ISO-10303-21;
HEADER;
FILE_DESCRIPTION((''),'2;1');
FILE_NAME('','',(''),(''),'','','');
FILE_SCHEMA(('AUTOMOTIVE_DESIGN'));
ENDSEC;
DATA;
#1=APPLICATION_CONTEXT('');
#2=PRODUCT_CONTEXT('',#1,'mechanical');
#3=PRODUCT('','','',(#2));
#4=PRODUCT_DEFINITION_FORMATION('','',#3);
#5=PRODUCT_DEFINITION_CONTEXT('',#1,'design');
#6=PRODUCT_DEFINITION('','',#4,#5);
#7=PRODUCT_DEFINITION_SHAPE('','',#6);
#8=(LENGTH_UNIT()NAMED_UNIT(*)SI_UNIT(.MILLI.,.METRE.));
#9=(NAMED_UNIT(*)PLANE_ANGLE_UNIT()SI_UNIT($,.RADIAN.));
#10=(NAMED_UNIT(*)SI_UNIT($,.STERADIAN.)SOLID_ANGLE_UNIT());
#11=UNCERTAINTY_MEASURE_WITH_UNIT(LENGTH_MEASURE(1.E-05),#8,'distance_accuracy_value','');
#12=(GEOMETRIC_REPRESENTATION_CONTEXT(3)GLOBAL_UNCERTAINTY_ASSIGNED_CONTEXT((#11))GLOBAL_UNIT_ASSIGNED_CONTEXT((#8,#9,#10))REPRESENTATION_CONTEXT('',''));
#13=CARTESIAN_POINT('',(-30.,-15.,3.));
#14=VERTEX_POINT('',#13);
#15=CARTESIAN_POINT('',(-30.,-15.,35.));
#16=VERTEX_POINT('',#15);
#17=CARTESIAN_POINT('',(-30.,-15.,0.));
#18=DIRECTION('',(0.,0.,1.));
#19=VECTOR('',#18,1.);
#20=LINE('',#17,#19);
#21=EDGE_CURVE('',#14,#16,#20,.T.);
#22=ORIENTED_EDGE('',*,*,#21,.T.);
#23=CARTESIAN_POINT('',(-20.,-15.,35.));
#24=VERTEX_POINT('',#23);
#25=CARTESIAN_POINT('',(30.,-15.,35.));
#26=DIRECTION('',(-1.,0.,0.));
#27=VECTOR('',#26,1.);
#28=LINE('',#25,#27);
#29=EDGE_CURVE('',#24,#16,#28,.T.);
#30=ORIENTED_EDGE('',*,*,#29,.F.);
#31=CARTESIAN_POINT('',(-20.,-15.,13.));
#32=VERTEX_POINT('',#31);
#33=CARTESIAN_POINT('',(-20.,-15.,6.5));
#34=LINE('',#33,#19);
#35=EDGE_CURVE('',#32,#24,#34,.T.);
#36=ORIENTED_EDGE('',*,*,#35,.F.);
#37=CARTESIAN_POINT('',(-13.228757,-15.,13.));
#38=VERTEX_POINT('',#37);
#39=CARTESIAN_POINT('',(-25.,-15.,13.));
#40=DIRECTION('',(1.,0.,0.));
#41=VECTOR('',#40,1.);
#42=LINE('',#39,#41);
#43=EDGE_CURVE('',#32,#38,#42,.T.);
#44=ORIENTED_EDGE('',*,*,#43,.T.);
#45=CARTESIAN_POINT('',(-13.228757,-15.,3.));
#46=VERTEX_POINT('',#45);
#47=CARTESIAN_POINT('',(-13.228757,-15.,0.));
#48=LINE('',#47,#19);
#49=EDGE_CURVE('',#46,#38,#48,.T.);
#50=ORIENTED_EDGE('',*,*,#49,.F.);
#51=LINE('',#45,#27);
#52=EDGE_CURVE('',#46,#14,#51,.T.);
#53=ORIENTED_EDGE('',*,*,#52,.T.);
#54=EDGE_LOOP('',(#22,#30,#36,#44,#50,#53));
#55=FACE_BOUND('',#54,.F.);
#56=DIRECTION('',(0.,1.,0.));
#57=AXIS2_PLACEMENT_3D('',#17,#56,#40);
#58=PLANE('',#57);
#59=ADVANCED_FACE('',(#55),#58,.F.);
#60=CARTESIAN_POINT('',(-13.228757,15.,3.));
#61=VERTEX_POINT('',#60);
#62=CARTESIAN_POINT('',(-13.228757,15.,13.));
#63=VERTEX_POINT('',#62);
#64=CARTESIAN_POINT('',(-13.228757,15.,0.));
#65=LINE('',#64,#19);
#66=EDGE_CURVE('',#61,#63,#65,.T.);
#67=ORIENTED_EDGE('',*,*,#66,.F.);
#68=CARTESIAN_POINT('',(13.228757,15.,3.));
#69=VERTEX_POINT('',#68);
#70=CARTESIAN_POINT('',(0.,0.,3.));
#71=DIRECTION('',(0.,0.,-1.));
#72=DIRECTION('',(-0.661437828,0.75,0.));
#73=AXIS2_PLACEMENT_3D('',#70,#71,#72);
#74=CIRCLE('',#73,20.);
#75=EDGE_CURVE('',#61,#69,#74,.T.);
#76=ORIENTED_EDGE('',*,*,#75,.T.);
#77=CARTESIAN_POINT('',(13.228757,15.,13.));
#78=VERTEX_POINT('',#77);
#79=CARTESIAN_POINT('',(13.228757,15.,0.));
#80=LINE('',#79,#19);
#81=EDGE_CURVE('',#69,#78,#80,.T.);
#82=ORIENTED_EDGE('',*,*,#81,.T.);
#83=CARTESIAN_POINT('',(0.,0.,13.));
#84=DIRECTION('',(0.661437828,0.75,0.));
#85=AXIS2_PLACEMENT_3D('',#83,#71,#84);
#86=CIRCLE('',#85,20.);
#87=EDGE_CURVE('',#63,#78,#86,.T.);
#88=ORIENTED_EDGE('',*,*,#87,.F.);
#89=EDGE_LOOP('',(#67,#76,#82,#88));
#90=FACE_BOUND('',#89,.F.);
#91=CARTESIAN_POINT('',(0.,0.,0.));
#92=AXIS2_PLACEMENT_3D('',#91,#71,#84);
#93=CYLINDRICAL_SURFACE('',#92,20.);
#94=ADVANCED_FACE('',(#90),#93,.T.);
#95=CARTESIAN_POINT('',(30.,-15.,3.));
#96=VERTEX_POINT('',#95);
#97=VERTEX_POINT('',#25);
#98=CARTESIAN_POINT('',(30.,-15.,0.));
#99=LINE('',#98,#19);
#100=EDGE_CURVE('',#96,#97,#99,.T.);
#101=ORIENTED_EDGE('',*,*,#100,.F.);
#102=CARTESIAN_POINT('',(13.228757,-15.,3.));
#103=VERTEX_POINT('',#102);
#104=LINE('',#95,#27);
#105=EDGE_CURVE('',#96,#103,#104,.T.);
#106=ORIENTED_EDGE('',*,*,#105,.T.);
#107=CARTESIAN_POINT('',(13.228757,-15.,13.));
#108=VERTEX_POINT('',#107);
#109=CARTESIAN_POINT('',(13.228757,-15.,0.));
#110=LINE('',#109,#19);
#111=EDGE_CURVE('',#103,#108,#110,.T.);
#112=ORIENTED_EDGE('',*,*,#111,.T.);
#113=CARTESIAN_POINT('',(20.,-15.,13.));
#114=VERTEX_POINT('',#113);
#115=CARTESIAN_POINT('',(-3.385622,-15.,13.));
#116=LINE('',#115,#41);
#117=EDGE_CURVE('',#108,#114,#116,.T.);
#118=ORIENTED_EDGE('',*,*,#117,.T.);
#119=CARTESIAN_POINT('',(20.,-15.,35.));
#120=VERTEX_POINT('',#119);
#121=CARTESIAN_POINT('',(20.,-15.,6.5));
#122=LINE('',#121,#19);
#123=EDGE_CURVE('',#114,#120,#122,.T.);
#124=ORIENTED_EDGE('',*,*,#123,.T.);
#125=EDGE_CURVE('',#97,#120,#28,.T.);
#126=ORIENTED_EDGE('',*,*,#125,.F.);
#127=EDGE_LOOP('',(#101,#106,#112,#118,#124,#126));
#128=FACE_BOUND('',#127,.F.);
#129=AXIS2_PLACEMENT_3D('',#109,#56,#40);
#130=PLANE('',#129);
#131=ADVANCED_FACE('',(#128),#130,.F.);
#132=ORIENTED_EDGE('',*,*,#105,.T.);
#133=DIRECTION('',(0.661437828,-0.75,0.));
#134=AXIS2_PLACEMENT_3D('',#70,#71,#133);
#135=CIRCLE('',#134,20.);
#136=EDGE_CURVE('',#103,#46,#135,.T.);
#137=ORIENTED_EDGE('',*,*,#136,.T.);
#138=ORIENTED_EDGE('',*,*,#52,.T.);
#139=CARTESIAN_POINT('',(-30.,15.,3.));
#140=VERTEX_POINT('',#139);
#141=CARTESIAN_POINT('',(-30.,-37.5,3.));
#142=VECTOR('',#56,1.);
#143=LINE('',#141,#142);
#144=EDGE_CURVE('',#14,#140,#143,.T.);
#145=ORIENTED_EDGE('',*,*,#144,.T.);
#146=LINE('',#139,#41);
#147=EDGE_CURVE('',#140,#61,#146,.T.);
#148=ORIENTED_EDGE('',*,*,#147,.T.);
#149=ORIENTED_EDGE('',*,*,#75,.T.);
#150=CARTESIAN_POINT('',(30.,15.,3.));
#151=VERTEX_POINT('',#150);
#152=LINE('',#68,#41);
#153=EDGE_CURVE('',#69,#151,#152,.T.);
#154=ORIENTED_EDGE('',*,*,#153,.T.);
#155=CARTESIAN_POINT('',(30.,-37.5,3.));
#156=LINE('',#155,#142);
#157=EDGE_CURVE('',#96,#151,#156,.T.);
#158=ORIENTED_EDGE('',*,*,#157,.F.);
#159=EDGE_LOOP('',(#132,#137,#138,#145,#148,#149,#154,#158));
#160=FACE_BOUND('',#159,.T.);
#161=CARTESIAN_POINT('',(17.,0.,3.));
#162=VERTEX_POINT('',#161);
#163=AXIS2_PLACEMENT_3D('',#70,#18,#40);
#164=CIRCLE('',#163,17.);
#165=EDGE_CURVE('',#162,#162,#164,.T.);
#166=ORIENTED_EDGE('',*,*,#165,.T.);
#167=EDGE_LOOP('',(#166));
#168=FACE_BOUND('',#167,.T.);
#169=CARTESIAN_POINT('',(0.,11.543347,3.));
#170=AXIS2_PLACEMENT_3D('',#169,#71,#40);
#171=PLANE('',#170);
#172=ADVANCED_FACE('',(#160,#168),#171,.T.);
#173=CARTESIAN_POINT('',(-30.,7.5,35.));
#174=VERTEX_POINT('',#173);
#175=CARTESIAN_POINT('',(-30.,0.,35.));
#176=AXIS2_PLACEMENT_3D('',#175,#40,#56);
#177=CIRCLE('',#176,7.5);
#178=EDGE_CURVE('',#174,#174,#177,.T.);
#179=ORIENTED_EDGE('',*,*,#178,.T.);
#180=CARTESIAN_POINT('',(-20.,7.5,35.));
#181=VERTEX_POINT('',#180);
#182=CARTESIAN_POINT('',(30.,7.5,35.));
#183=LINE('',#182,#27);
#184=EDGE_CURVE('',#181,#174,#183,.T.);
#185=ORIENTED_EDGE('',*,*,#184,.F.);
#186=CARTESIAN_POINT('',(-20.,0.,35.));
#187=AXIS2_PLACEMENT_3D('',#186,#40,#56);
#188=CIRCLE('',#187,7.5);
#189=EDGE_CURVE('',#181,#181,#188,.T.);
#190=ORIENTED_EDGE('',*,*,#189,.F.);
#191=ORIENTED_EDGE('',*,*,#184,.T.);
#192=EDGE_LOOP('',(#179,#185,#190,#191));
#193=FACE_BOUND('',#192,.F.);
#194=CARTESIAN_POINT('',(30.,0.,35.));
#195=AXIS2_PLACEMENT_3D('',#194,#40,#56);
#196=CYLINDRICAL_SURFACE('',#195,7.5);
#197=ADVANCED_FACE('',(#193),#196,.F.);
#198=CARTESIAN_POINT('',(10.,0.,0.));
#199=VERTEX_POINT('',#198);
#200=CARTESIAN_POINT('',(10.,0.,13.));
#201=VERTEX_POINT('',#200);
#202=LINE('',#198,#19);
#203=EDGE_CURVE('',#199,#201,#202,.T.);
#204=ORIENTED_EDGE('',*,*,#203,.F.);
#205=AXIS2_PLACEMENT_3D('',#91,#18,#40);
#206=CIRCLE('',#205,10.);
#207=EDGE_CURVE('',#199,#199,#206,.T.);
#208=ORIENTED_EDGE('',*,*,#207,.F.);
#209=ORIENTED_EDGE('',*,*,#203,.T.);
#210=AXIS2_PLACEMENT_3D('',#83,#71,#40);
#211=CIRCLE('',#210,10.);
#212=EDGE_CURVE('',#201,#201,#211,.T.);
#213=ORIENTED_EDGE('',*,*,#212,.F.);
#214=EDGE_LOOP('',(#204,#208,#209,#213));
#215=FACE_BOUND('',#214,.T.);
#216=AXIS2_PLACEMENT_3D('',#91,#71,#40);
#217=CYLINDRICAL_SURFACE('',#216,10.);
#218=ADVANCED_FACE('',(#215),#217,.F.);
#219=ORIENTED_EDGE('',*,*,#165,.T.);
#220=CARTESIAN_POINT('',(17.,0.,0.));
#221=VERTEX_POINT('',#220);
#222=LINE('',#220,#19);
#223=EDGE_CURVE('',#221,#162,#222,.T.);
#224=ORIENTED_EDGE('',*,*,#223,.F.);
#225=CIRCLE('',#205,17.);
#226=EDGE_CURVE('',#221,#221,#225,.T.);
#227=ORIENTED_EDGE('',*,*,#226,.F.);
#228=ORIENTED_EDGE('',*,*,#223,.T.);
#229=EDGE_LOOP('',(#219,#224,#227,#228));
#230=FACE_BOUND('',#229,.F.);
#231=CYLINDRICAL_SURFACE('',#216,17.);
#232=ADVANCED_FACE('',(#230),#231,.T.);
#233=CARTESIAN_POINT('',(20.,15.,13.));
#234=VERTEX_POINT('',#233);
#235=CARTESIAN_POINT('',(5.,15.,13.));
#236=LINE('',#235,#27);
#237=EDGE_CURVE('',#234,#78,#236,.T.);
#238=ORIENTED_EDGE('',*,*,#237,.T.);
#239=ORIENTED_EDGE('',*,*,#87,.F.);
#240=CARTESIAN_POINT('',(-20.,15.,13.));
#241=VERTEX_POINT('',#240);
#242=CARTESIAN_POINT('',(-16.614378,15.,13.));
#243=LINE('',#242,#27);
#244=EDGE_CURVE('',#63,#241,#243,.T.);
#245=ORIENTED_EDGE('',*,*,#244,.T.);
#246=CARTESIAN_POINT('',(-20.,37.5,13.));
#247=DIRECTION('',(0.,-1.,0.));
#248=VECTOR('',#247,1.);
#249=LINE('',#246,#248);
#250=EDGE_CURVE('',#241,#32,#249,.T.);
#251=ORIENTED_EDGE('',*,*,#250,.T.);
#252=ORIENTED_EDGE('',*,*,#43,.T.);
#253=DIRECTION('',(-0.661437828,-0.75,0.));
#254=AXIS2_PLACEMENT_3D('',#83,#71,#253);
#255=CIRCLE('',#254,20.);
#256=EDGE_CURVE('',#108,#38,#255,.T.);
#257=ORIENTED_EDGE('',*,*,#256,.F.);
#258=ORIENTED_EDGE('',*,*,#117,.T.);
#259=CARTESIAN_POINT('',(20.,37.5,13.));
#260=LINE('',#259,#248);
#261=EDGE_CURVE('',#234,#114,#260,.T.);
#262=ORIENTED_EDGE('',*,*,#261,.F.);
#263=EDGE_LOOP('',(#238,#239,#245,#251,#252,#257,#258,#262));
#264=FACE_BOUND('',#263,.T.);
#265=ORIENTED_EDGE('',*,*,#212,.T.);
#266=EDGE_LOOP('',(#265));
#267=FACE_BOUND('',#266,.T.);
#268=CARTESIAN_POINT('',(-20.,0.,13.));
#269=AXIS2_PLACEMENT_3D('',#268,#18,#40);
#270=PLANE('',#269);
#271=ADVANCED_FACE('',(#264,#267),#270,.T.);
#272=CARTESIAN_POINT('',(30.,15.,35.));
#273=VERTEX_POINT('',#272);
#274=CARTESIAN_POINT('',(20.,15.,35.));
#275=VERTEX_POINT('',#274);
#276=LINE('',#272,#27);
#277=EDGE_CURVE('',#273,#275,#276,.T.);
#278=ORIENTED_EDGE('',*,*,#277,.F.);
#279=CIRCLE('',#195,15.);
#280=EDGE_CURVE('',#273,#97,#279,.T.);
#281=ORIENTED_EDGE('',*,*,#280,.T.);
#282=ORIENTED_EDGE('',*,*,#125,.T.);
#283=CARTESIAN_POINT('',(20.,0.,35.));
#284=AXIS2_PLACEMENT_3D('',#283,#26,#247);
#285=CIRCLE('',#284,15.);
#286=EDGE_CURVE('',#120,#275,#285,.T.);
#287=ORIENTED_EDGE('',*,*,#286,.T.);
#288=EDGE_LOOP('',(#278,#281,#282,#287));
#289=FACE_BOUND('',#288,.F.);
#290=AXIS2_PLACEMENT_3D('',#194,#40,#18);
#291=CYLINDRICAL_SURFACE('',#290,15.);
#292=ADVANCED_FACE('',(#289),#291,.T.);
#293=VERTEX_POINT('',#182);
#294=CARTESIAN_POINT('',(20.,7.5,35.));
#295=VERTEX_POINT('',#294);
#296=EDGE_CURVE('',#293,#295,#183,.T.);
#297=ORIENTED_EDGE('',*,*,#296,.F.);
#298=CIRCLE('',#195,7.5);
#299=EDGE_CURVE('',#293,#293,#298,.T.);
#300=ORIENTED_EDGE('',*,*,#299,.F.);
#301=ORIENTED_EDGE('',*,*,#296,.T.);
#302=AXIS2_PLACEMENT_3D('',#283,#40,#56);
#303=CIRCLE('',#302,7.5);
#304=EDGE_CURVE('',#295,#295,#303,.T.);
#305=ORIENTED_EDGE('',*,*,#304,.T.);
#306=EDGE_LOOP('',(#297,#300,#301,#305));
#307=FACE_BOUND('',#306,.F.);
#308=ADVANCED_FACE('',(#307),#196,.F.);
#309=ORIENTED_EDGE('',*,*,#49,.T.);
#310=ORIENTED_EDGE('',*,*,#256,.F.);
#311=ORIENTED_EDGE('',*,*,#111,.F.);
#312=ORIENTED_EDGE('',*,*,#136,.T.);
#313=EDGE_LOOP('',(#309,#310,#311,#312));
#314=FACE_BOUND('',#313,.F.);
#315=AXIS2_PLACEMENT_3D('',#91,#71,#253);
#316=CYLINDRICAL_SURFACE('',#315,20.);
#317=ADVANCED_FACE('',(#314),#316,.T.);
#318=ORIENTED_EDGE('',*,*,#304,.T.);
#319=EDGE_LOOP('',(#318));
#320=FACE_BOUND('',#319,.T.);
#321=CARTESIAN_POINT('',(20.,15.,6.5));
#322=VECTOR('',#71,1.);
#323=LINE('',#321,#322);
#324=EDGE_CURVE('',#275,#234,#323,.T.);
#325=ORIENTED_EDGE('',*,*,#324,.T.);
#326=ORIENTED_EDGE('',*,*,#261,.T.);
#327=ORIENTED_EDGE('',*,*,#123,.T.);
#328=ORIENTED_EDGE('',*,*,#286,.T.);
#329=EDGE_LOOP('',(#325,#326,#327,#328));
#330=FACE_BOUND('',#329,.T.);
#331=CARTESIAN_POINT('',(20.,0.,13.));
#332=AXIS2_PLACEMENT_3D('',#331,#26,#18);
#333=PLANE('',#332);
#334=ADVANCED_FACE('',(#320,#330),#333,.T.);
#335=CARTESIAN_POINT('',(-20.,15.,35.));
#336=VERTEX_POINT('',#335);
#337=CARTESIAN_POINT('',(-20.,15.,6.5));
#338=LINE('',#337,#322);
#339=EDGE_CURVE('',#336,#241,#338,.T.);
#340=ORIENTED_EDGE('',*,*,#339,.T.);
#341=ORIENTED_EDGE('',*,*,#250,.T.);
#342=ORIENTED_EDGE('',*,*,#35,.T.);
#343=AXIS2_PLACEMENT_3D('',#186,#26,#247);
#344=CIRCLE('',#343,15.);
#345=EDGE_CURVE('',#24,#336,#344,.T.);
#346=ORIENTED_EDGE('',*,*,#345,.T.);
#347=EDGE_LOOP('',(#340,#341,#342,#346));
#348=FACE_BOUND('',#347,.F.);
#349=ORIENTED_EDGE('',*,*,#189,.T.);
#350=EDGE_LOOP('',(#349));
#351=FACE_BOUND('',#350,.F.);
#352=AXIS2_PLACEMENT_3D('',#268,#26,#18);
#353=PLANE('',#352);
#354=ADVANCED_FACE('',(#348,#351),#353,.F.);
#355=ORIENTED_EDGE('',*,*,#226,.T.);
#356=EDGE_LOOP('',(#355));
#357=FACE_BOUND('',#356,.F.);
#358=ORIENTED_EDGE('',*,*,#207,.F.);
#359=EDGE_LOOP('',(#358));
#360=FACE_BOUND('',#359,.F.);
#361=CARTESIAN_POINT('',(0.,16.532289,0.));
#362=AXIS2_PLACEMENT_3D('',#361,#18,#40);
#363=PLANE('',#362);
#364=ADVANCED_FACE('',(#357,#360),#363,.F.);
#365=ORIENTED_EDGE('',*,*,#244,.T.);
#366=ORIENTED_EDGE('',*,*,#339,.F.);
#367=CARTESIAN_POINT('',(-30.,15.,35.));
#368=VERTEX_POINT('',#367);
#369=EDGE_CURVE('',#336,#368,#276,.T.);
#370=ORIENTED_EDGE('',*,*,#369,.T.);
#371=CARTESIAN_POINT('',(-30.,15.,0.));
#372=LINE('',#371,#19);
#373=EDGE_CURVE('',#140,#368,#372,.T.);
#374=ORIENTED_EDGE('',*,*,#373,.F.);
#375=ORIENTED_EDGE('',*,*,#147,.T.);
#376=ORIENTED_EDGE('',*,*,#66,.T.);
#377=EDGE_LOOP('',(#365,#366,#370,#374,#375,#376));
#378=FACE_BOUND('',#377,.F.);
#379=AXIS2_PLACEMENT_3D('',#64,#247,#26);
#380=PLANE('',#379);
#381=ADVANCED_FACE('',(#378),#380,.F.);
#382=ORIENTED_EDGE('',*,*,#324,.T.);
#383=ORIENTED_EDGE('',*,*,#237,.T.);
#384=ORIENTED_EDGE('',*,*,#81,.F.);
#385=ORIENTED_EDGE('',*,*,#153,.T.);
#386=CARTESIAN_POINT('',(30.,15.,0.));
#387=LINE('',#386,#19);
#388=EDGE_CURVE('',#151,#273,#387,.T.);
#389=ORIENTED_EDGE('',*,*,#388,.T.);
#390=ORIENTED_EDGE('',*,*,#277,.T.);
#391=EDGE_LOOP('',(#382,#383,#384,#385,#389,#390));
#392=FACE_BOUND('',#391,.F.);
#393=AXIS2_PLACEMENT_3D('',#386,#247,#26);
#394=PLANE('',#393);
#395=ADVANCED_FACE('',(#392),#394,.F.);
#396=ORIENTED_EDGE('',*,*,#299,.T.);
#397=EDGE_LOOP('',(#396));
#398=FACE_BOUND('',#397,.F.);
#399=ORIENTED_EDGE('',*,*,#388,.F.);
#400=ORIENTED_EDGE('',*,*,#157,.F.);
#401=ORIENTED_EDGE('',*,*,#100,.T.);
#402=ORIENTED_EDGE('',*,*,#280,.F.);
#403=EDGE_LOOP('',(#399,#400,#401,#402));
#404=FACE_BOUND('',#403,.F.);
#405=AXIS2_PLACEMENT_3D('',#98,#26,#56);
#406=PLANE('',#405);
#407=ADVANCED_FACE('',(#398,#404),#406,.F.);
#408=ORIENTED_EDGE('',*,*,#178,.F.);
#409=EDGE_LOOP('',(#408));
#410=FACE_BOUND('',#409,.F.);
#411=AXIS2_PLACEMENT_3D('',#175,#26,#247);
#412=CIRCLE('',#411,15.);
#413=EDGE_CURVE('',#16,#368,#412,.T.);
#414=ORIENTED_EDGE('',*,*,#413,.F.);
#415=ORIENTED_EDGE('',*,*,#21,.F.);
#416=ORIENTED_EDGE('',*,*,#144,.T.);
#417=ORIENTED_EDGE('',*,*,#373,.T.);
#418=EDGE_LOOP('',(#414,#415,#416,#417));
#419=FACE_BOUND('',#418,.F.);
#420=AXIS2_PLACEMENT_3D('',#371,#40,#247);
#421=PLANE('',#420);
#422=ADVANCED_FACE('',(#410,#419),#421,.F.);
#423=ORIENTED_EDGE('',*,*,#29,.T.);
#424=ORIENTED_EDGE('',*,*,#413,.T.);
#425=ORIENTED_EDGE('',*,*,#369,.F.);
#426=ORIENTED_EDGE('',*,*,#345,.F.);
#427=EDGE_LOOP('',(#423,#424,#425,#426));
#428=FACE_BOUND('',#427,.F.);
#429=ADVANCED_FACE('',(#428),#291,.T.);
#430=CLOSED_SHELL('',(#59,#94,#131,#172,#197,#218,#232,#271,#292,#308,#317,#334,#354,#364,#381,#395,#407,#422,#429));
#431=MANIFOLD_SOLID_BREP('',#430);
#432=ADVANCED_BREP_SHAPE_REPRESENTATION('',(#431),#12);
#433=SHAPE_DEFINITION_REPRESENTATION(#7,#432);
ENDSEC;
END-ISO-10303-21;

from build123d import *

# Parameters (mm, degrees)
F0_R     = 10
F1_DEPTH = 50
F2_W     = 13
F2_H     = 3
F2_W_2   = 40
F2_H_2   = 37
F3_DEPTH = 37.5
F5_DEPTH = 3
F6_R     = 7.5
F7_DEPTH = 60.001


with BuildPart() as f1:
    # F0 (on Top) → F1 (new body)
    with BuildSketch(Plane.XY):
        with BuildLine():
            ThreePointArc((13.2287565553, 15), (0, 20), (-13.2287565553, 15))
            Line((-13.2287565553, 15), (13.2287565553, 15))
        make_face()
        Polygon((-30, -15), (-13.2287565553, -15), (13.2287565553, -15), (30, -15), (30, 15), (13.2287565553, 15), (-13.2287565553, 15), (-30, 15), align=None)
        Circle(F0_R, mode=Mode.SUBTRACT)
        with BuildLine():
            Line((13.2287565553, -15), (-13.2287565553, -15))
            ThreePointArc((-13.2287565553, -15), (0, -20), (13.2287565553, -15))
        make_face()
    extrude(amount=F1_DEPTH)

    # F2 (on Front) → F3 (cut, symmetric)
    with BuildSketch(Plane.XZ):
        with Locations((23.5, 1.5)):
            Rectangle(F2_W, F2_H)
        with Locations((0, 31.5)):
            Rectangle(F2_W_2, F2_H_2)
        with Locations((-23.5, 1.5)):
            Rectangle(F2_W, F2_H)
    extrude(amount=F3_DEPTH, both=True, mode=Mode.SUBTRACT)

    # F4 (on face) → F5 (cut)
    with BuildSketch(Plane(origin=(0, 0, 0), x_dir=(1, 0, 0), z_dir=(0, 0, -1))):
        with BuildLine():
            ThreePointArc((-17, 0), (0, 17), (17, 0))
            Line((17, 0), (17, 15))
            Line((17, 15), (13.2287565553, 15))
            ThreePointArc((13.2287565553, 15), (0, 20), (-13.2287565553, 15))
            Line((-13.2287565553, 15), (-17, 15))
            Line((-17, 15), (-17, 0))
        make_face()
        with BuildLine():
            Line((17, -15), (17, 0))
            ThreePointArc((17, 0), (0, -17), (-17, 0))
            Line((-17, 0), (-17, -15))
            Line((-17, -15), (-13.2287565553, -15))
            ThreePointArc((-13.2287565553, -15), (0, -20), (13.2287565553, -15))
            Line((13.2287565553, -15), (17, -15))
        make_face()
    extrude(amount=-F5_DEPTH, mode=Mode.SUBTRACT)

    # F6 (on face) → F7 (cut, through all)
    with BuildSketch(Plane.YZ.offset(30)):
        with Locations((0, 35)):
            Circle(F6_R)
        with BuildLine():
            ThreePointArc((-15, 35), (-10.6066017178, 45.6066017178), (0, 50))
            Line((0, 50), (-15, 50))
            Line((-15, 50), (-15, 35))
        make_face()
        with BuildLine():
            ThreePointArc((0, 50), (10.6066017178, 45.6066017178), (15, 35))
            Line((15, 35), (15, 50))
            Line((15, 50), (0, 50))
        make_face()
    extrude(amount=-F7_DEPTH, mode=Mode.SUBTRACT)


solid = f1.part
